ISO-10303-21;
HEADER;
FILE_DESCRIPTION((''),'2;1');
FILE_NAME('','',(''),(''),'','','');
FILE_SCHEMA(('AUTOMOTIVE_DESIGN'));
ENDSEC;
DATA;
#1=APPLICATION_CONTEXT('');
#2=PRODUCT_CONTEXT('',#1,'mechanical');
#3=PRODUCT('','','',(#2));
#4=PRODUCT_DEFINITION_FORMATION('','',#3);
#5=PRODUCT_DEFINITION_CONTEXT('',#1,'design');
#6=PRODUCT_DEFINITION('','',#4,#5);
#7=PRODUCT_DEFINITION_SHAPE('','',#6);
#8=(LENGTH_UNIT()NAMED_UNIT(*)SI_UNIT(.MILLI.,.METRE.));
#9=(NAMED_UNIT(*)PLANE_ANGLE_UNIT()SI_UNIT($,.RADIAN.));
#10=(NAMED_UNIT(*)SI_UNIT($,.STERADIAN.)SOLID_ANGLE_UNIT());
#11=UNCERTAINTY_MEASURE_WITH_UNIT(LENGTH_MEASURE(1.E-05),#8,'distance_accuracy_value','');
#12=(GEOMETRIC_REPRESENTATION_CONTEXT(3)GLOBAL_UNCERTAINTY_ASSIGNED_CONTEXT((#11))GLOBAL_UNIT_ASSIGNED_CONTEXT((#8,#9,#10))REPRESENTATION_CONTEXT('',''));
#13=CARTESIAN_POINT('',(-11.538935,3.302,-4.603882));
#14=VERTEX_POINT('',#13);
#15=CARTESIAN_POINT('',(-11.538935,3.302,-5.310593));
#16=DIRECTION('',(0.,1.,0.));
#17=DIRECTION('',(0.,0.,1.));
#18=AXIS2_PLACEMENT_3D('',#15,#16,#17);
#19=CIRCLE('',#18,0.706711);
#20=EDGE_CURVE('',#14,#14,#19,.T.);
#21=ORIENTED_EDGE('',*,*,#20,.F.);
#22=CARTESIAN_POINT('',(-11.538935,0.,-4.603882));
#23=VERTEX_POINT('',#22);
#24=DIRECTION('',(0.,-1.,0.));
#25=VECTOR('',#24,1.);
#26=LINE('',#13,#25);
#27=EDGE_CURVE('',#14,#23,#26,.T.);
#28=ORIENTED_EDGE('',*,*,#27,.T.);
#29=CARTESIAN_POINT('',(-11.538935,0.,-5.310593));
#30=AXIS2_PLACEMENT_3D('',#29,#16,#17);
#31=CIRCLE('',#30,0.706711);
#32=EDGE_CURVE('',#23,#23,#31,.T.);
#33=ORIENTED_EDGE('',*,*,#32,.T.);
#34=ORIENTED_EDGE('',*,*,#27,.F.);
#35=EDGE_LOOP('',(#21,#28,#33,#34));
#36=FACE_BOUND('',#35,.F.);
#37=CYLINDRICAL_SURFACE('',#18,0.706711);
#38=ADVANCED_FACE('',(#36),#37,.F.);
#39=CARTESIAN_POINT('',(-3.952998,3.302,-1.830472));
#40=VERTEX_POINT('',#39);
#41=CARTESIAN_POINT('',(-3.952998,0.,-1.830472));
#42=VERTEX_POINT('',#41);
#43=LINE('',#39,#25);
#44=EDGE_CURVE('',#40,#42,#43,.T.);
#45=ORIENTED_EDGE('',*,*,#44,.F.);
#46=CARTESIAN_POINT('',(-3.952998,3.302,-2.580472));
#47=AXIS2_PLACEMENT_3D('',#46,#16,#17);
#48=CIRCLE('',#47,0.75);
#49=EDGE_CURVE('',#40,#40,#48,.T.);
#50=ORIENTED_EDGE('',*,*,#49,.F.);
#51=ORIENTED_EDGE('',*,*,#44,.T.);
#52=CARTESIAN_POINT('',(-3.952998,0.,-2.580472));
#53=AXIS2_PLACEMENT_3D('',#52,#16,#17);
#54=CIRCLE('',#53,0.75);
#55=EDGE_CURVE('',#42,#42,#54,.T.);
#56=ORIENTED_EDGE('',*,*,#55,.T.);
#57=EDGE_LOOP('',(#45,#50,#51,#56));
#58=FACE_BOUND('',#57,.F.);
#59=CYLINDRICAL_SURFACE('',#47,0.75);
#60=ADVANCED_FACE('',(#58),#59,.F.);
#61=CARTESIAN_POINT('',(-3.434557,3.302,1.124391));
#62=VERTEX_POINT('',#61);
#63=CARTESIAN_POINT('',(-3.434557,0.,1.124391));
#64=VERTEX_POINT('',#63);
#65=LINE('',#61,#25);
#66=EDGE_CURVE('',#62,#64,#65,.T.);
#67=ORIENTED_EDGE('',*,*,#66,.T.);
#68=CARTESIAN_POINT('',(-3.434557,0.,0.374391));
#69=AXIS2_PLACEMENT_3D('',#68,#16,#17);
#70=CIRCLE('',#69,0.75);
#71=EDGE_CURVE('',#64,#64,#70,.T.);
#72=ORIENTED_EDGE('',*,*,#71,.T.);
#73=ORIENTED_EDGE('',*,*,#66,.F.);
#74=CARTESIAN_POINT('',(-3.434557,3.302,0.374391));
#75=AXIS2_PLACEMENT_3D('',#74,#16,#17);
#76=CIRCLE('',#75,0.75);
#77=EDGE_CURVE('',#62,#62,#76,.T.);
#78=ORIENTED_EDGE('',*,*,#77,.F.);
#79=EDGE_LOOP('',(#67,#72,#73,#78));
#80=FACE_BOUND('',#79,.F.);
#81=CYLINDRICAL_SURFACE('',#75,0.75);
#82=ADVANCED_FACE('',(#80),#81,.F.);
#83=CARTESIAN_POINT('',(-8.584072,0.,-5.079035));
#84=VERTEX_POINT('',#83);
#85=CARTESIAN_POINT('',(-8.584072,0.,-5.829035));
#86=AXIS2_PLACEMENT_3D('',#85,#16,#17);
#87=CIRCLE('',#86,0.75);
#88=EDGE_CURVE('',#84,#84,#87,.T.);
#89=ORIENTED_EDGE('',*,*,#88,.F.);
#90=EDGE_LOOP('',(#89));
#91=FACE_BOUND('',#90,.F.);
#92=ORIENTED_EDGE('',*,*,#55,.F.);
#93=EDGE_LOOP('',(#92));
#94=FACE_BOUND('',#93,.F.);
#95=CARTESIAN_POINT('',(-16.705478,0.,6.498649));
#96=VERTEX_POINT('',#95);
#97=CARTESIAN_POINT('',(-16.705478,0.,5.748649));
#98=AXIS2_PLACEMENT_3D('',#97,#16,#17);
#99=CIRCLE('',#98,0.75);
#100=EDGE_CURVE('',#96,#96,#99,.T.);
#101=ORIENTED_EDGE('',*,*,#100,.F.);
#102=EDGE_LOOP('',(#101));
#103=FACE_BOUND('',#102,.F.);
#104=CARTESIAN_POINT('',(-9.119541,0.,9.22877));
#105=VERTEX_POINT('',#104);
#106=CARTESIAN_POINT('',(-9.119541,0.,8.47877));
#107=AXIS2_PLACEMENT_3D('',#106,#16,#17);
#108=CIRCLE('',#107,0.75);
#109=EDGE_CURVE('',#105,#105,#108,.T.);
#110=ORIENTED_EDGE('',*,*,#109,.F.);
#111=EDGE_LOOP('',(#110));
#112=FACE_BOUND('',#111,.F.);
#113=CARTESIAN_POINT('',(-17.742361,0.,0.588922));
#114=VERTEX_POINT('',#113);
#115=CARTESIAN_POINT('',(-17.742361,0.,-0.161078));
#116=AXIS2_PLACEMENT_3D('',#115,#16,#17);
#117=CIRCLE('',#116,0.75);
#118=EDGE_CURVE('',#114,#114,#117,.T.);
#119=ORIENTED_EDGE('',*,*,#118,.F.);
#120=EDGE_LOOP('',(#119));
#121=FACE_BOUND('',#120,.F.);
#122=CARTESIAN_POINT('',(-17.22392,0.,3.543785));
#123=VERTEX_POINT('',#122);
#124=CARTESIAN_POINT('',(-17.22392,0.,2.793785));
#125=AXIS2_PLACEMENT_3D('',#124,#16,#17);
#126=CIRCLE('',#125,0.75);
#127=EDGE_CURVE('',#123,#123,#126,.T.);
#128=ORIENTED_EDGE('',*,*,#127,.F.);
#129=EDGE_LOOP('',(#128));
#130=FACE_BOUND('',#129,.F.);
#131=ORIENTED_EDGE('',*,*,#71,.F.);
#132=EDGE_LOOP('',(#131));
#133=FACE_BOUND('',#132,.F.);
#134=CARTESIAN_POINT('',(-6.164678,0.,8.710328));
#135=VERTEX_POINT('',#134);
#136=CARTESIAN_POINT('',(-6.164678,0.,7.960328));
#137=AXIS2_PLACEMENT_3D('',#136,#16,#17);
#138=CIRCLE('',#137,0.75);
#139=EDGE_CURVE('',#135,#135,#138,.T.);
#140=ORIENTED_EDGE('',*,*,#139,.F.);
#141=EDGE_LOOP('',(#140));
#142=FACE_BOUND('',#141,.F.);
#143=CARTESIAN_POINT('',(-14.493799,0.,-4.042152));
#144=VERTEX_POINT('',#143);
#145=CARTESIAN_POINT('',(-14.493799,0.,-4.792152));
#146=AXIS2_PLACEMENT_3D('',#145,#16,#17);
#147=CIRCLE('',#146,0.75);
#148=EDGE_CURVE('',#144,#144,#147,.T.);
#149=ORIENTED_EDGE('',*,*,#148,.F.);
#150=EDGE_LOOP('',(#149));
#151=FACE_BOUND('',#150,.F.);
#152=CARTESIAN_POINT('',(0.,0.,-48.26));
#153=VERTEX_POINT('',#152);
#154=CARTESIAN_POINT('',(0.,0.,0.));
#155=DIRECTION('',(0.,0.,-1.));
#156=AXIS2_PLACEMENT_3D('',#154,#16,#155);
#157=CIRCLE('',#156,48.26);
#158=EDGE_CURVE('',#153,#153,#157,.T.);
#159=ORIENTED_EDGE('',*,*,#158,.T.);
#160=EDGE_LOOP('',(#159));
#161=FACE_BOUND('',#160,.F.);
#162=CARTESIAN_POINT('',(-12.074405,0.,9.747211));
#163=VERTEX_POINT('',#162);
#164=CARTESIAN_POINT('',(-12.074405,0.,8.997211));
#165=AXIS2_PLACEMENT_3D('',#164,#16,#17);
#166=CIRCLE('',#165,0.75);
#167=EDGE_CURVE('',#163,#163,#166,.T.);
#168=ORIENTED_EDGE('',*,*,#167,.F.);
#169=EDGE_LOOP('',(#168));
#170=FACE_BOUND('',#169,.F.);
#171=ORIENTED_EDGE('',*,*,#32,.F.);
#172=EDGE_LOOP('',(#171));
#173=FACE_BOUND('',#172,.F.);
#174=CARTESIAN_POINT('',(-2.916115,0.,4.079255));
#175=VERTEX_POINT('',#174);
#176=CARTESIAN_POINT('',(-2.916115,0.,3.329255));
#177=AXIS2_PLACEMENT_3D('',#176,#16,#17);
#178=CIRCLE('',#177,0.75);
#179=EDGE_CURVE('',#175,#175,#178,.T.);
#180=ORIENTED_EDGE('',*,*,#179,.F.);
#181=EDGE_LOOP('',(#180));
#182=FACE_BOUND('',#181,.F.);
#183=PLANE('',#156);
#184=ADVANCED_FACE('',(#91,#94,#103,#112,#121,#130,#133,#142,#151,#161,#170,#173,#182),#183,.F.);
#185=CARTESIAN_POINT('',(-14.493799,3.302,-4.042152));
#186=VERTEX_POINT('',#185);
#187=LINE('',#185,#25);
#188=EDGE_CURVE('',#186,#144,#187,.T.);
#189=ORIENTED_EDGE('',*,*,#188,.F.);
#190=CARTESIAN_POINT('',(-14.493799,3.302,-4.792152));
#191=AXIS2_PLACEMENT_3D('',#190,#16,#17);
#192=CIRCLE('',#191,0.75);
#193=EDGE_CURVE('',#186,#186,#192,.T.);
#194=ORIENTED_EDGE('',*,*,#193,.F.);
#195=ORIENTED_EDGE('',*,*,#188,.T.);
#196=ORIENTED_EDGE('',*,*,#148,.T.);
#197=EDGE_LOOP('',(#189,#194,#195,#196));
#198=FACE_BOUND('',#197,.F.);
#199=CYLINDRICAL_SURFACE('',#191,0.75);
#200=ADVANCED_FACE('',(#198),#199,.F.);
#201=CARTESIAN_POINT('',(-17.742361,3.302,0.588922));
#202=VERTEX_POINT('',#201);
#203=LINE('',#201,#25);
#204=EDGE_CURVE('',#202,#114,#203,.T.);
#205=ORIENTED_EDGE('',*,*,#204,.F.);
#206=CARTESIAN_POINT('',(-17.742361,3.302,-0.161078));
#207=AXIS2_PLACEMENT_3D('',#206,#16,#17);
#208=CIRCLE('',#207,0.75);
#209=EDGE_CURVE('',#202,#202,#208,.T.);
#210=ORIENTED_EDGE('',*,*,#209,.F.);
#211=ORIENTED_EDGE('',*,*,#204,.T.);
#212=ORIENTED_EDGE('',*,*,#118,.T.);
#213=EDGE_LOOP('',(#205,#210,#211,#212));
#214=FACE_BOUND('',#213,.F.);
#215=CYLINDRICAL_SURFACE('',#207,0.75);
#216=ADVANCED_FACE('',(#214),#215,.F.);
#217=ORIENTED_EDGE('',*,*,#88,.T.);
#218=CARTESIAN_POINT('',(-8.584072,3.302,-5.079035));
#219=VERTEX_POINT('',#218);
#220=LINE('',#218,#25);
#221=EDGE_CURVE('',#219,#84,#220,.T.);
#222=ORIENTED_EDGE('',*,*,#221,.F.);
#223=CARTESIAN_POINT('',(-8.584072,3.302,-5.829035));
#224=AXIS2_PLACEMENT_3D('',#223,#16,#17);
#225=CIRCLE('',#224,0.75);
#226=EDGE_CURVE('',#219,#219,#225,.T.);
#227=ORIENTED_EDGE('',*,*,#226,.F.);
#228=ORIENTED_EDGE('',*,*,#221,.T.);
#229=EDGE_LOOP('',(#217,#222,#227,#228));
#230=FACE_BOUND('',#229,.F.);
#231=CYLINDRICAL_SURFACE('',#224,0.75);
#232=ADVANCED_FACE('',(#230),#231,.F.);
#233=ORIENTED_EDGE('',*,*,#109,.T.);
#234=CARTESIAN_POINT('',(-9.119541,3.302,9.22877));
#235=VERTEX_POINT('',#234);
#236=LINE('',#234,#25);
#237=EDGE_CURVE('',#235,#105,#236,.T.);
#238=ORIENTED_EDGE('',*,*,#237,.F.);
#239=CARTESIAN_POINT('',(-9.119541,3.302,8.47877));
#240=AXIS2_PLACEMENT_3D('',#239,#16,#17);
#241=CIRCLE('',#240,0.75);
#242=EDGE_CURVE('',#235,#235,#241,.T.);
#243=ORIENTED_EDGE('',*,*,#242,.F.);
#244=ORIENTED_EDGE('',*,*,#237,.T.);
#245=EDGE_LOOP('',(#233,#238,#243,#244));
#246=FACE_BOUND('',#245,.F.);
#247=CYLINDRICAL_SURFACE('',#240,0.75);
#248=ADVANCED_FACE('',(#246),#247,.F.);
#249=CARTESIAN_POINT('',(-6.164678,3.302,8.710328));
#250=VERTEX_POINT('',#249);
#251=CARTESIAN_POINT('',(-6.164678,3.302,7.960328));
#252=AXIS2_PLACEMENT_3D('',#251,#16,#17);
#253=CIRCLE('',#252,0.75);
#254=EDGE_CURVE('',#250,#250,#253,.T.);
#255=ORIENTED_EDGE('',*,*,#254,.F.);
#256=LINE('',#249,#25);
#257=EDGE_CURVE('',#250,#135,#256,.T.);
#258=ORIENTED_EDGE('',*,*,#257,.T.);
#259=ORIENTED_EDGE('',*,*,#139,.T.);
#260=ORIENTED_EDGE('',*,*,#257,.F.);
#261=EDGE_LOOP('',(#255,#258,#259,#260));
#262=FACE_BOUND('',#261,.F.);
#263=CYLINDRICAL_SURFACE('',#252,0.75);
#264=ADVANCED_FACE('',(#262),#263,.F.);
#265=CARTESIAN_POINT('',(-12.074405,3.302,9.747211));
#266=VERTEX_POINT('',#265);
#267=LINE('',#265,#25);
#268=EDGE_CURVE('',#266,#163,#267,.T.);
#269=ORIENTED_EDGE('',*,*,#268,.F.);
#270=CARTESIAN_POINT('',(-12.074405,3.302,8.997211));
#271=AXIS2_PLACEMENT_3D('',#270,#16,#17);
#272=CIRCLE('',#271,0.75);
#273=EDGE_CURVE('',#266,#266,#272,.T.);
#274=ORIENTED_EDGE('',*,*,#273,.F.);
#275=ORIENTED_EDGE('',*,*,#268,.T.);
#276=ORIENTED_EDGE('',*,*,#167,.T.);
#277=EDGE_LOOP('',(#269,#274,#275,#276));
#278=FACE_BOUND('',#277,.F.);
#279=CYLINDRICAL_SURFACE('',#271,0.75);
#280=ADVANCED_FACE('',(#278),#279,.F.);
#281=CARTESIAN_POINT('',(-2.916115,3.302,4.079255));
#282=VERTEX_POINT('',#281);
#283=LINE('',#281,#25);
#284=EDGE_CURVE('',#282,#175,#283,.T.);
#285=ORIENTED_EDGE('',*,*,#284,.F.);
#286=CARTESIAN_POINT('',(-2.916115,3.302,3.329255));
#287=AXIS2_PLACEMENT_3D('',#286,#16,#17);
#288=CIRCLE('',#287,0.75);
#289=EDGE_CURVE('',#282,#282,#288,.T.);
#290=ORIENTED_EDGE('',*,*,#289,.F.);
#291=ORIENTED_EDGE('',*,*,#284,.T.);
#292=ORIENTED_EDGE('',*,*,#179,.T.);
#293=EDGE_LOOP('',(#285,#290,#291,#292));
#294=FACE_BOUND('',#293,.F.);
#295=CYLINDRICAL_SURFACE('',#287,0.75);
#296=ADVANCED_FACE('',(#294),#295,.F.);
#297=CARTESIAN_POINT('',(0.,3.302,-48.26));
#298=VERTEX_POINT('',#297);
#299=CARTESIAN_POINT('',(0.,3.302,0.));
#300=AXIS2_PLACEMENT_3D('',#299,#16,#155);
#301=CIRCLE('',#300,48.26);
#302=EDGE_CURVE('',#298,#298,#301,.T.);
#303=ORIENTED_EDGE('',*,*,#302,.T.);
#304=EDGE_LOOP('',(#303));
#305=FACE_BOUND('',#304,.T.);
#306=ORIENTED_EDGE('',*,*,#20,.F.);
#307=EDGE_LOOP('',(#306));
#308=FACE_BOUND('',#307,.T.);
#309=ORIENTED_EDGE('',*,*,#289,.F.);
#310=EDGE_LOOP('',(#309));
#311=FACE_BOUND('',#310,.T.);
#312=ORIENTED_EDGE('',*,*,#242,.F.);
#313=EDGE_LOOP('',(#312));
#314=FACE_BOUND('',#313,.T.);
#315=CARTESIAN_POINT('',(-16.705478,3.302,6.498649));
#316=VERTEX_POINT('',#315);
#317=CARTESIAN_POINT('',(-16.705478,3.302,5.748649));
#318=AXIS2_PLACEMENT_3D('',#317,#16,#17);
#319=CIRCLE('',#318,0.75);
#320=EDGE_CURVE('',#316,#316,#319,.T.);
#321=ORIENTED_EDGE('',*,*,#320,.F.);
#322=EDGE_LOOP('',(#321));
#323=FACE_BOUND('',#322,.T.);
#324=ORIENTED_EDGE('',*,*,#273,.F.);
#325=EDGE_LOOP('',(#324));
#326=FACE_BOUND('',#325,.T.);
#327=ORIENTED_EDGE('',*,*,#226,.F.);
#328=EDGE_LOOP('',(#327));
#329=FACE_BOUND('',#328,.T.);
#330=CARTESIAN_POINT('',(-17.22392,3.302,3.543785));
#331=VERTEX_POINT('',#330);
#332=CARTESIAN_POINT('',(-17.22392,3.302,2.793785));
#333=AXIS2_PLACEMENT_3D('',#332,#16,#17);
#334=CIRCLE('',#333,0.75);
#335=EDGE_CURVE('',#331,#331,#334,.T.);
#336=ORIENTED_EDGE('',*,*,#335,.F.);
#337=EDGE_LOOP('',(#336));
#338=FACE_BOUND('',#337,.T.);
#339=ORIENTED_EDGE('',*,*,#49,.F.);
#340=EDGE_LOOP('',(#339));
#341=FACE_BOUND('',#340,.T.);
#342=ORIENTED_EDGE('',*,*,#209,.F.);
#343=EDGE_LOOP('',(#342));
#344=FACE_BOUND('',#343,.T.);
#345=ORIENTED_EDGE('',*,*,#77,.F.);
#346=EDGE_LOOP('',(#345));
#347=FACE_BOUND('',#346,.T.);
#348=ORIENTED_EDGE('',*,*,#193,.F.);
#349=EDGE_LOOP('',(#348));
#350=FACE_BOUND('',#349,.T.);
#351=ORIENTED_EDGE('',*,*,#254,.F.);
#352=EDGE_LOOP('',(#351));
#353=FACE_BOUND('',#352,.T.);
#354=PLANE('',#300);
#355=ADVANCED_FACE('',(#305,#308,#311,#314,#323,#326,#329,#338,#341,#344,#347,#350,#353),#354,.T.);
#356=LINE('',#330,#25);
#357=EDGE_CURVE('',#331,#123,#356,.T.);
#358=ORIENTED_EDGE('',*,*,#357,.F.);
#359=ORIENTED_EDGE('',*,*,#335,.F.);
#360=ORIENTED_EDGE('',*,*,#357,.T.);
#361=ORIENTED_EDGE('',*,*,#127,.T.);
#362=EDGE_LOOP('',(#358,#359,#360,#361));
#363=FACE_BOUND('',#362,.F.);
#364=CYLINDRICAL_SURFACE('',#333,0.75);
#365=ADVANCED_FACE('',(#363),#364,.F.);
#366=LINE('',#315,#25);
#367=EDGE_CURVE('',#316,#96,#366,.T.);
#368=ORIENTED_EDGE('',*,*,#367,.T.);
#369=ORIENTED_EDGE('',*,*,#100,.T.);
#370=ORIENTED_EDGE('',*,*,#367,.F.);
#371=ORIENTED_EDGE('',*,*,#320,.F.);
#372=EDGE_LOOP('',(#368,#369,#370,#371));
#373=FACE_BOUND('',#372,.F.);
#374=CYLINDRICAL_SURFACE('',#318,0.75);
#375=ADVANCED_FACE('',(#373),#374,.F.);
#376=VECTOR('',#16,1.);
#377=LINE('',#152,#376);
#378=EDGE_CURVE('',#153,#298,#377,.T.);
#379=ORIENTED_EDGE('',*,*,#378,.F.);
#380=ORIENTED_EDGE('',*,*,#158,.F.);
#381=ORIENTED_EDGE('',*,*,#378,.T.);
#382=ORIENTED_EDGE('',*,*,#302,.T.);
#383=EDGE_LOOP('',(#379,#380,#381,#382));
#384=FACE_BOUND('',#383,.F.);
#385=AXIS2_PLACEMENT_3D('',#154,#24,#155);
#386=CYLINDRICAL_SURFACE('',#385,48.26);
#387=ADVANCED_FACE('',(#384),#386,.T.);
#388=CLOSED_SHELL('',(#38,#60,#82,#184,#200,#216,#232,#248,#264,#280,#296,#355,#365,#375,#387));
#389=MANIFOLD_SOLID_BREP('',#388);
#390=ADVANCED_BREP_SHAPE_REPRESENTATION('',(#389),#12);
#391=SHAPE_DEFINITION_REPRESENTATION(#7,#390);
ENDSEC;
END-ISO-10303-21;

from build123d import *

# Parameters (mm, degrees)
SKETCH1_R           = 48.26
BOSS_EXTRUDE1_DEPTH = 3.302
SKETCH2_R           = 0.75
SKETCH2_R_2         = 0.70671089
CUT_EXTRUDE1_DEPTH  = 7.62


with BuildPart() as part:
    # Sketch1 → Boss-Extrude1 (new body)
    with BuildSketch(Plane(origin=(0, 0, 0), x_dir=(1, 0, 0), z_dir=(0, 1, 0))):
        with Locations(Location((0, 0, 0), (0, 0, 90))):
            Circle(SKETCH1_R)
    extrude(amount=BOSS_EXTRUDE1_DEPTH)

    # Sketch2 → Cut-Extrude1 (cut)
    with BuildSketch(Plane(origin=(0, 3.302, 0), x_dir=(1, 0, 0), z_dir=(0, 1, 0))):
        with Locations(Location((-17.223919858, -2.793785138, 0), (0, 0, 270))):
            Circle(SKETCH2_R)
        with Locations(Location((-17.742361425, 0.161078368, 0), (0, 0, 270))):
            Circle(SKETCH2_R)
        with Locations(Location((-14.49379884, 4.7921518, 0), (0, 0, 270))):
            Circle(SKETCH2_R)
        with Locations(Location((-16.70547829, -5.748648644, 0), (0, 0, 270))):
            Circle(SKETCH2_R)
        with Locations(Location((-12.074404858, -8.99721123, 0), (0, 0, 270))):
            Circle(SKETCH2_R)
        with Locations(Location((-9.119541352, -8.478769662, 0), (0, 0, 270))):
            Circle(SKETCH2_R)
        with Locations(Location((-6.164677846, -7.960328095, 0), (0, 0, 270))):
            Circle(SKETCH2_R)
        with Locations(Location((-2.91611526, -3.329254663, 0), (0, 0, 270))):
            Circle(SKETCH2_R)
        with Locations(Location((-3.434556828, -0.374391157, 0), (0, 0, 270))):
            Circle(SKETCH2_R)
        with Locations(Location((-3.952998395, 2.58047235, 0), (0, 0, 270))):
            Circle(SKETCH2_R)
        with Locations(Location((-8.584071827, 5.829034935, 0), (0, 0, 270))):
            Circle(SKETCH2_R)
        with Locations(Location((-11.538935333, 5.310593367, 0), (0, 0, 270))):
            Circle(SKETCH2_R_2)
    extrude(amount=-CUT_EXTRUDE1_DEPTH, mode=Mode.SUBTRACT)


solid = part.part
